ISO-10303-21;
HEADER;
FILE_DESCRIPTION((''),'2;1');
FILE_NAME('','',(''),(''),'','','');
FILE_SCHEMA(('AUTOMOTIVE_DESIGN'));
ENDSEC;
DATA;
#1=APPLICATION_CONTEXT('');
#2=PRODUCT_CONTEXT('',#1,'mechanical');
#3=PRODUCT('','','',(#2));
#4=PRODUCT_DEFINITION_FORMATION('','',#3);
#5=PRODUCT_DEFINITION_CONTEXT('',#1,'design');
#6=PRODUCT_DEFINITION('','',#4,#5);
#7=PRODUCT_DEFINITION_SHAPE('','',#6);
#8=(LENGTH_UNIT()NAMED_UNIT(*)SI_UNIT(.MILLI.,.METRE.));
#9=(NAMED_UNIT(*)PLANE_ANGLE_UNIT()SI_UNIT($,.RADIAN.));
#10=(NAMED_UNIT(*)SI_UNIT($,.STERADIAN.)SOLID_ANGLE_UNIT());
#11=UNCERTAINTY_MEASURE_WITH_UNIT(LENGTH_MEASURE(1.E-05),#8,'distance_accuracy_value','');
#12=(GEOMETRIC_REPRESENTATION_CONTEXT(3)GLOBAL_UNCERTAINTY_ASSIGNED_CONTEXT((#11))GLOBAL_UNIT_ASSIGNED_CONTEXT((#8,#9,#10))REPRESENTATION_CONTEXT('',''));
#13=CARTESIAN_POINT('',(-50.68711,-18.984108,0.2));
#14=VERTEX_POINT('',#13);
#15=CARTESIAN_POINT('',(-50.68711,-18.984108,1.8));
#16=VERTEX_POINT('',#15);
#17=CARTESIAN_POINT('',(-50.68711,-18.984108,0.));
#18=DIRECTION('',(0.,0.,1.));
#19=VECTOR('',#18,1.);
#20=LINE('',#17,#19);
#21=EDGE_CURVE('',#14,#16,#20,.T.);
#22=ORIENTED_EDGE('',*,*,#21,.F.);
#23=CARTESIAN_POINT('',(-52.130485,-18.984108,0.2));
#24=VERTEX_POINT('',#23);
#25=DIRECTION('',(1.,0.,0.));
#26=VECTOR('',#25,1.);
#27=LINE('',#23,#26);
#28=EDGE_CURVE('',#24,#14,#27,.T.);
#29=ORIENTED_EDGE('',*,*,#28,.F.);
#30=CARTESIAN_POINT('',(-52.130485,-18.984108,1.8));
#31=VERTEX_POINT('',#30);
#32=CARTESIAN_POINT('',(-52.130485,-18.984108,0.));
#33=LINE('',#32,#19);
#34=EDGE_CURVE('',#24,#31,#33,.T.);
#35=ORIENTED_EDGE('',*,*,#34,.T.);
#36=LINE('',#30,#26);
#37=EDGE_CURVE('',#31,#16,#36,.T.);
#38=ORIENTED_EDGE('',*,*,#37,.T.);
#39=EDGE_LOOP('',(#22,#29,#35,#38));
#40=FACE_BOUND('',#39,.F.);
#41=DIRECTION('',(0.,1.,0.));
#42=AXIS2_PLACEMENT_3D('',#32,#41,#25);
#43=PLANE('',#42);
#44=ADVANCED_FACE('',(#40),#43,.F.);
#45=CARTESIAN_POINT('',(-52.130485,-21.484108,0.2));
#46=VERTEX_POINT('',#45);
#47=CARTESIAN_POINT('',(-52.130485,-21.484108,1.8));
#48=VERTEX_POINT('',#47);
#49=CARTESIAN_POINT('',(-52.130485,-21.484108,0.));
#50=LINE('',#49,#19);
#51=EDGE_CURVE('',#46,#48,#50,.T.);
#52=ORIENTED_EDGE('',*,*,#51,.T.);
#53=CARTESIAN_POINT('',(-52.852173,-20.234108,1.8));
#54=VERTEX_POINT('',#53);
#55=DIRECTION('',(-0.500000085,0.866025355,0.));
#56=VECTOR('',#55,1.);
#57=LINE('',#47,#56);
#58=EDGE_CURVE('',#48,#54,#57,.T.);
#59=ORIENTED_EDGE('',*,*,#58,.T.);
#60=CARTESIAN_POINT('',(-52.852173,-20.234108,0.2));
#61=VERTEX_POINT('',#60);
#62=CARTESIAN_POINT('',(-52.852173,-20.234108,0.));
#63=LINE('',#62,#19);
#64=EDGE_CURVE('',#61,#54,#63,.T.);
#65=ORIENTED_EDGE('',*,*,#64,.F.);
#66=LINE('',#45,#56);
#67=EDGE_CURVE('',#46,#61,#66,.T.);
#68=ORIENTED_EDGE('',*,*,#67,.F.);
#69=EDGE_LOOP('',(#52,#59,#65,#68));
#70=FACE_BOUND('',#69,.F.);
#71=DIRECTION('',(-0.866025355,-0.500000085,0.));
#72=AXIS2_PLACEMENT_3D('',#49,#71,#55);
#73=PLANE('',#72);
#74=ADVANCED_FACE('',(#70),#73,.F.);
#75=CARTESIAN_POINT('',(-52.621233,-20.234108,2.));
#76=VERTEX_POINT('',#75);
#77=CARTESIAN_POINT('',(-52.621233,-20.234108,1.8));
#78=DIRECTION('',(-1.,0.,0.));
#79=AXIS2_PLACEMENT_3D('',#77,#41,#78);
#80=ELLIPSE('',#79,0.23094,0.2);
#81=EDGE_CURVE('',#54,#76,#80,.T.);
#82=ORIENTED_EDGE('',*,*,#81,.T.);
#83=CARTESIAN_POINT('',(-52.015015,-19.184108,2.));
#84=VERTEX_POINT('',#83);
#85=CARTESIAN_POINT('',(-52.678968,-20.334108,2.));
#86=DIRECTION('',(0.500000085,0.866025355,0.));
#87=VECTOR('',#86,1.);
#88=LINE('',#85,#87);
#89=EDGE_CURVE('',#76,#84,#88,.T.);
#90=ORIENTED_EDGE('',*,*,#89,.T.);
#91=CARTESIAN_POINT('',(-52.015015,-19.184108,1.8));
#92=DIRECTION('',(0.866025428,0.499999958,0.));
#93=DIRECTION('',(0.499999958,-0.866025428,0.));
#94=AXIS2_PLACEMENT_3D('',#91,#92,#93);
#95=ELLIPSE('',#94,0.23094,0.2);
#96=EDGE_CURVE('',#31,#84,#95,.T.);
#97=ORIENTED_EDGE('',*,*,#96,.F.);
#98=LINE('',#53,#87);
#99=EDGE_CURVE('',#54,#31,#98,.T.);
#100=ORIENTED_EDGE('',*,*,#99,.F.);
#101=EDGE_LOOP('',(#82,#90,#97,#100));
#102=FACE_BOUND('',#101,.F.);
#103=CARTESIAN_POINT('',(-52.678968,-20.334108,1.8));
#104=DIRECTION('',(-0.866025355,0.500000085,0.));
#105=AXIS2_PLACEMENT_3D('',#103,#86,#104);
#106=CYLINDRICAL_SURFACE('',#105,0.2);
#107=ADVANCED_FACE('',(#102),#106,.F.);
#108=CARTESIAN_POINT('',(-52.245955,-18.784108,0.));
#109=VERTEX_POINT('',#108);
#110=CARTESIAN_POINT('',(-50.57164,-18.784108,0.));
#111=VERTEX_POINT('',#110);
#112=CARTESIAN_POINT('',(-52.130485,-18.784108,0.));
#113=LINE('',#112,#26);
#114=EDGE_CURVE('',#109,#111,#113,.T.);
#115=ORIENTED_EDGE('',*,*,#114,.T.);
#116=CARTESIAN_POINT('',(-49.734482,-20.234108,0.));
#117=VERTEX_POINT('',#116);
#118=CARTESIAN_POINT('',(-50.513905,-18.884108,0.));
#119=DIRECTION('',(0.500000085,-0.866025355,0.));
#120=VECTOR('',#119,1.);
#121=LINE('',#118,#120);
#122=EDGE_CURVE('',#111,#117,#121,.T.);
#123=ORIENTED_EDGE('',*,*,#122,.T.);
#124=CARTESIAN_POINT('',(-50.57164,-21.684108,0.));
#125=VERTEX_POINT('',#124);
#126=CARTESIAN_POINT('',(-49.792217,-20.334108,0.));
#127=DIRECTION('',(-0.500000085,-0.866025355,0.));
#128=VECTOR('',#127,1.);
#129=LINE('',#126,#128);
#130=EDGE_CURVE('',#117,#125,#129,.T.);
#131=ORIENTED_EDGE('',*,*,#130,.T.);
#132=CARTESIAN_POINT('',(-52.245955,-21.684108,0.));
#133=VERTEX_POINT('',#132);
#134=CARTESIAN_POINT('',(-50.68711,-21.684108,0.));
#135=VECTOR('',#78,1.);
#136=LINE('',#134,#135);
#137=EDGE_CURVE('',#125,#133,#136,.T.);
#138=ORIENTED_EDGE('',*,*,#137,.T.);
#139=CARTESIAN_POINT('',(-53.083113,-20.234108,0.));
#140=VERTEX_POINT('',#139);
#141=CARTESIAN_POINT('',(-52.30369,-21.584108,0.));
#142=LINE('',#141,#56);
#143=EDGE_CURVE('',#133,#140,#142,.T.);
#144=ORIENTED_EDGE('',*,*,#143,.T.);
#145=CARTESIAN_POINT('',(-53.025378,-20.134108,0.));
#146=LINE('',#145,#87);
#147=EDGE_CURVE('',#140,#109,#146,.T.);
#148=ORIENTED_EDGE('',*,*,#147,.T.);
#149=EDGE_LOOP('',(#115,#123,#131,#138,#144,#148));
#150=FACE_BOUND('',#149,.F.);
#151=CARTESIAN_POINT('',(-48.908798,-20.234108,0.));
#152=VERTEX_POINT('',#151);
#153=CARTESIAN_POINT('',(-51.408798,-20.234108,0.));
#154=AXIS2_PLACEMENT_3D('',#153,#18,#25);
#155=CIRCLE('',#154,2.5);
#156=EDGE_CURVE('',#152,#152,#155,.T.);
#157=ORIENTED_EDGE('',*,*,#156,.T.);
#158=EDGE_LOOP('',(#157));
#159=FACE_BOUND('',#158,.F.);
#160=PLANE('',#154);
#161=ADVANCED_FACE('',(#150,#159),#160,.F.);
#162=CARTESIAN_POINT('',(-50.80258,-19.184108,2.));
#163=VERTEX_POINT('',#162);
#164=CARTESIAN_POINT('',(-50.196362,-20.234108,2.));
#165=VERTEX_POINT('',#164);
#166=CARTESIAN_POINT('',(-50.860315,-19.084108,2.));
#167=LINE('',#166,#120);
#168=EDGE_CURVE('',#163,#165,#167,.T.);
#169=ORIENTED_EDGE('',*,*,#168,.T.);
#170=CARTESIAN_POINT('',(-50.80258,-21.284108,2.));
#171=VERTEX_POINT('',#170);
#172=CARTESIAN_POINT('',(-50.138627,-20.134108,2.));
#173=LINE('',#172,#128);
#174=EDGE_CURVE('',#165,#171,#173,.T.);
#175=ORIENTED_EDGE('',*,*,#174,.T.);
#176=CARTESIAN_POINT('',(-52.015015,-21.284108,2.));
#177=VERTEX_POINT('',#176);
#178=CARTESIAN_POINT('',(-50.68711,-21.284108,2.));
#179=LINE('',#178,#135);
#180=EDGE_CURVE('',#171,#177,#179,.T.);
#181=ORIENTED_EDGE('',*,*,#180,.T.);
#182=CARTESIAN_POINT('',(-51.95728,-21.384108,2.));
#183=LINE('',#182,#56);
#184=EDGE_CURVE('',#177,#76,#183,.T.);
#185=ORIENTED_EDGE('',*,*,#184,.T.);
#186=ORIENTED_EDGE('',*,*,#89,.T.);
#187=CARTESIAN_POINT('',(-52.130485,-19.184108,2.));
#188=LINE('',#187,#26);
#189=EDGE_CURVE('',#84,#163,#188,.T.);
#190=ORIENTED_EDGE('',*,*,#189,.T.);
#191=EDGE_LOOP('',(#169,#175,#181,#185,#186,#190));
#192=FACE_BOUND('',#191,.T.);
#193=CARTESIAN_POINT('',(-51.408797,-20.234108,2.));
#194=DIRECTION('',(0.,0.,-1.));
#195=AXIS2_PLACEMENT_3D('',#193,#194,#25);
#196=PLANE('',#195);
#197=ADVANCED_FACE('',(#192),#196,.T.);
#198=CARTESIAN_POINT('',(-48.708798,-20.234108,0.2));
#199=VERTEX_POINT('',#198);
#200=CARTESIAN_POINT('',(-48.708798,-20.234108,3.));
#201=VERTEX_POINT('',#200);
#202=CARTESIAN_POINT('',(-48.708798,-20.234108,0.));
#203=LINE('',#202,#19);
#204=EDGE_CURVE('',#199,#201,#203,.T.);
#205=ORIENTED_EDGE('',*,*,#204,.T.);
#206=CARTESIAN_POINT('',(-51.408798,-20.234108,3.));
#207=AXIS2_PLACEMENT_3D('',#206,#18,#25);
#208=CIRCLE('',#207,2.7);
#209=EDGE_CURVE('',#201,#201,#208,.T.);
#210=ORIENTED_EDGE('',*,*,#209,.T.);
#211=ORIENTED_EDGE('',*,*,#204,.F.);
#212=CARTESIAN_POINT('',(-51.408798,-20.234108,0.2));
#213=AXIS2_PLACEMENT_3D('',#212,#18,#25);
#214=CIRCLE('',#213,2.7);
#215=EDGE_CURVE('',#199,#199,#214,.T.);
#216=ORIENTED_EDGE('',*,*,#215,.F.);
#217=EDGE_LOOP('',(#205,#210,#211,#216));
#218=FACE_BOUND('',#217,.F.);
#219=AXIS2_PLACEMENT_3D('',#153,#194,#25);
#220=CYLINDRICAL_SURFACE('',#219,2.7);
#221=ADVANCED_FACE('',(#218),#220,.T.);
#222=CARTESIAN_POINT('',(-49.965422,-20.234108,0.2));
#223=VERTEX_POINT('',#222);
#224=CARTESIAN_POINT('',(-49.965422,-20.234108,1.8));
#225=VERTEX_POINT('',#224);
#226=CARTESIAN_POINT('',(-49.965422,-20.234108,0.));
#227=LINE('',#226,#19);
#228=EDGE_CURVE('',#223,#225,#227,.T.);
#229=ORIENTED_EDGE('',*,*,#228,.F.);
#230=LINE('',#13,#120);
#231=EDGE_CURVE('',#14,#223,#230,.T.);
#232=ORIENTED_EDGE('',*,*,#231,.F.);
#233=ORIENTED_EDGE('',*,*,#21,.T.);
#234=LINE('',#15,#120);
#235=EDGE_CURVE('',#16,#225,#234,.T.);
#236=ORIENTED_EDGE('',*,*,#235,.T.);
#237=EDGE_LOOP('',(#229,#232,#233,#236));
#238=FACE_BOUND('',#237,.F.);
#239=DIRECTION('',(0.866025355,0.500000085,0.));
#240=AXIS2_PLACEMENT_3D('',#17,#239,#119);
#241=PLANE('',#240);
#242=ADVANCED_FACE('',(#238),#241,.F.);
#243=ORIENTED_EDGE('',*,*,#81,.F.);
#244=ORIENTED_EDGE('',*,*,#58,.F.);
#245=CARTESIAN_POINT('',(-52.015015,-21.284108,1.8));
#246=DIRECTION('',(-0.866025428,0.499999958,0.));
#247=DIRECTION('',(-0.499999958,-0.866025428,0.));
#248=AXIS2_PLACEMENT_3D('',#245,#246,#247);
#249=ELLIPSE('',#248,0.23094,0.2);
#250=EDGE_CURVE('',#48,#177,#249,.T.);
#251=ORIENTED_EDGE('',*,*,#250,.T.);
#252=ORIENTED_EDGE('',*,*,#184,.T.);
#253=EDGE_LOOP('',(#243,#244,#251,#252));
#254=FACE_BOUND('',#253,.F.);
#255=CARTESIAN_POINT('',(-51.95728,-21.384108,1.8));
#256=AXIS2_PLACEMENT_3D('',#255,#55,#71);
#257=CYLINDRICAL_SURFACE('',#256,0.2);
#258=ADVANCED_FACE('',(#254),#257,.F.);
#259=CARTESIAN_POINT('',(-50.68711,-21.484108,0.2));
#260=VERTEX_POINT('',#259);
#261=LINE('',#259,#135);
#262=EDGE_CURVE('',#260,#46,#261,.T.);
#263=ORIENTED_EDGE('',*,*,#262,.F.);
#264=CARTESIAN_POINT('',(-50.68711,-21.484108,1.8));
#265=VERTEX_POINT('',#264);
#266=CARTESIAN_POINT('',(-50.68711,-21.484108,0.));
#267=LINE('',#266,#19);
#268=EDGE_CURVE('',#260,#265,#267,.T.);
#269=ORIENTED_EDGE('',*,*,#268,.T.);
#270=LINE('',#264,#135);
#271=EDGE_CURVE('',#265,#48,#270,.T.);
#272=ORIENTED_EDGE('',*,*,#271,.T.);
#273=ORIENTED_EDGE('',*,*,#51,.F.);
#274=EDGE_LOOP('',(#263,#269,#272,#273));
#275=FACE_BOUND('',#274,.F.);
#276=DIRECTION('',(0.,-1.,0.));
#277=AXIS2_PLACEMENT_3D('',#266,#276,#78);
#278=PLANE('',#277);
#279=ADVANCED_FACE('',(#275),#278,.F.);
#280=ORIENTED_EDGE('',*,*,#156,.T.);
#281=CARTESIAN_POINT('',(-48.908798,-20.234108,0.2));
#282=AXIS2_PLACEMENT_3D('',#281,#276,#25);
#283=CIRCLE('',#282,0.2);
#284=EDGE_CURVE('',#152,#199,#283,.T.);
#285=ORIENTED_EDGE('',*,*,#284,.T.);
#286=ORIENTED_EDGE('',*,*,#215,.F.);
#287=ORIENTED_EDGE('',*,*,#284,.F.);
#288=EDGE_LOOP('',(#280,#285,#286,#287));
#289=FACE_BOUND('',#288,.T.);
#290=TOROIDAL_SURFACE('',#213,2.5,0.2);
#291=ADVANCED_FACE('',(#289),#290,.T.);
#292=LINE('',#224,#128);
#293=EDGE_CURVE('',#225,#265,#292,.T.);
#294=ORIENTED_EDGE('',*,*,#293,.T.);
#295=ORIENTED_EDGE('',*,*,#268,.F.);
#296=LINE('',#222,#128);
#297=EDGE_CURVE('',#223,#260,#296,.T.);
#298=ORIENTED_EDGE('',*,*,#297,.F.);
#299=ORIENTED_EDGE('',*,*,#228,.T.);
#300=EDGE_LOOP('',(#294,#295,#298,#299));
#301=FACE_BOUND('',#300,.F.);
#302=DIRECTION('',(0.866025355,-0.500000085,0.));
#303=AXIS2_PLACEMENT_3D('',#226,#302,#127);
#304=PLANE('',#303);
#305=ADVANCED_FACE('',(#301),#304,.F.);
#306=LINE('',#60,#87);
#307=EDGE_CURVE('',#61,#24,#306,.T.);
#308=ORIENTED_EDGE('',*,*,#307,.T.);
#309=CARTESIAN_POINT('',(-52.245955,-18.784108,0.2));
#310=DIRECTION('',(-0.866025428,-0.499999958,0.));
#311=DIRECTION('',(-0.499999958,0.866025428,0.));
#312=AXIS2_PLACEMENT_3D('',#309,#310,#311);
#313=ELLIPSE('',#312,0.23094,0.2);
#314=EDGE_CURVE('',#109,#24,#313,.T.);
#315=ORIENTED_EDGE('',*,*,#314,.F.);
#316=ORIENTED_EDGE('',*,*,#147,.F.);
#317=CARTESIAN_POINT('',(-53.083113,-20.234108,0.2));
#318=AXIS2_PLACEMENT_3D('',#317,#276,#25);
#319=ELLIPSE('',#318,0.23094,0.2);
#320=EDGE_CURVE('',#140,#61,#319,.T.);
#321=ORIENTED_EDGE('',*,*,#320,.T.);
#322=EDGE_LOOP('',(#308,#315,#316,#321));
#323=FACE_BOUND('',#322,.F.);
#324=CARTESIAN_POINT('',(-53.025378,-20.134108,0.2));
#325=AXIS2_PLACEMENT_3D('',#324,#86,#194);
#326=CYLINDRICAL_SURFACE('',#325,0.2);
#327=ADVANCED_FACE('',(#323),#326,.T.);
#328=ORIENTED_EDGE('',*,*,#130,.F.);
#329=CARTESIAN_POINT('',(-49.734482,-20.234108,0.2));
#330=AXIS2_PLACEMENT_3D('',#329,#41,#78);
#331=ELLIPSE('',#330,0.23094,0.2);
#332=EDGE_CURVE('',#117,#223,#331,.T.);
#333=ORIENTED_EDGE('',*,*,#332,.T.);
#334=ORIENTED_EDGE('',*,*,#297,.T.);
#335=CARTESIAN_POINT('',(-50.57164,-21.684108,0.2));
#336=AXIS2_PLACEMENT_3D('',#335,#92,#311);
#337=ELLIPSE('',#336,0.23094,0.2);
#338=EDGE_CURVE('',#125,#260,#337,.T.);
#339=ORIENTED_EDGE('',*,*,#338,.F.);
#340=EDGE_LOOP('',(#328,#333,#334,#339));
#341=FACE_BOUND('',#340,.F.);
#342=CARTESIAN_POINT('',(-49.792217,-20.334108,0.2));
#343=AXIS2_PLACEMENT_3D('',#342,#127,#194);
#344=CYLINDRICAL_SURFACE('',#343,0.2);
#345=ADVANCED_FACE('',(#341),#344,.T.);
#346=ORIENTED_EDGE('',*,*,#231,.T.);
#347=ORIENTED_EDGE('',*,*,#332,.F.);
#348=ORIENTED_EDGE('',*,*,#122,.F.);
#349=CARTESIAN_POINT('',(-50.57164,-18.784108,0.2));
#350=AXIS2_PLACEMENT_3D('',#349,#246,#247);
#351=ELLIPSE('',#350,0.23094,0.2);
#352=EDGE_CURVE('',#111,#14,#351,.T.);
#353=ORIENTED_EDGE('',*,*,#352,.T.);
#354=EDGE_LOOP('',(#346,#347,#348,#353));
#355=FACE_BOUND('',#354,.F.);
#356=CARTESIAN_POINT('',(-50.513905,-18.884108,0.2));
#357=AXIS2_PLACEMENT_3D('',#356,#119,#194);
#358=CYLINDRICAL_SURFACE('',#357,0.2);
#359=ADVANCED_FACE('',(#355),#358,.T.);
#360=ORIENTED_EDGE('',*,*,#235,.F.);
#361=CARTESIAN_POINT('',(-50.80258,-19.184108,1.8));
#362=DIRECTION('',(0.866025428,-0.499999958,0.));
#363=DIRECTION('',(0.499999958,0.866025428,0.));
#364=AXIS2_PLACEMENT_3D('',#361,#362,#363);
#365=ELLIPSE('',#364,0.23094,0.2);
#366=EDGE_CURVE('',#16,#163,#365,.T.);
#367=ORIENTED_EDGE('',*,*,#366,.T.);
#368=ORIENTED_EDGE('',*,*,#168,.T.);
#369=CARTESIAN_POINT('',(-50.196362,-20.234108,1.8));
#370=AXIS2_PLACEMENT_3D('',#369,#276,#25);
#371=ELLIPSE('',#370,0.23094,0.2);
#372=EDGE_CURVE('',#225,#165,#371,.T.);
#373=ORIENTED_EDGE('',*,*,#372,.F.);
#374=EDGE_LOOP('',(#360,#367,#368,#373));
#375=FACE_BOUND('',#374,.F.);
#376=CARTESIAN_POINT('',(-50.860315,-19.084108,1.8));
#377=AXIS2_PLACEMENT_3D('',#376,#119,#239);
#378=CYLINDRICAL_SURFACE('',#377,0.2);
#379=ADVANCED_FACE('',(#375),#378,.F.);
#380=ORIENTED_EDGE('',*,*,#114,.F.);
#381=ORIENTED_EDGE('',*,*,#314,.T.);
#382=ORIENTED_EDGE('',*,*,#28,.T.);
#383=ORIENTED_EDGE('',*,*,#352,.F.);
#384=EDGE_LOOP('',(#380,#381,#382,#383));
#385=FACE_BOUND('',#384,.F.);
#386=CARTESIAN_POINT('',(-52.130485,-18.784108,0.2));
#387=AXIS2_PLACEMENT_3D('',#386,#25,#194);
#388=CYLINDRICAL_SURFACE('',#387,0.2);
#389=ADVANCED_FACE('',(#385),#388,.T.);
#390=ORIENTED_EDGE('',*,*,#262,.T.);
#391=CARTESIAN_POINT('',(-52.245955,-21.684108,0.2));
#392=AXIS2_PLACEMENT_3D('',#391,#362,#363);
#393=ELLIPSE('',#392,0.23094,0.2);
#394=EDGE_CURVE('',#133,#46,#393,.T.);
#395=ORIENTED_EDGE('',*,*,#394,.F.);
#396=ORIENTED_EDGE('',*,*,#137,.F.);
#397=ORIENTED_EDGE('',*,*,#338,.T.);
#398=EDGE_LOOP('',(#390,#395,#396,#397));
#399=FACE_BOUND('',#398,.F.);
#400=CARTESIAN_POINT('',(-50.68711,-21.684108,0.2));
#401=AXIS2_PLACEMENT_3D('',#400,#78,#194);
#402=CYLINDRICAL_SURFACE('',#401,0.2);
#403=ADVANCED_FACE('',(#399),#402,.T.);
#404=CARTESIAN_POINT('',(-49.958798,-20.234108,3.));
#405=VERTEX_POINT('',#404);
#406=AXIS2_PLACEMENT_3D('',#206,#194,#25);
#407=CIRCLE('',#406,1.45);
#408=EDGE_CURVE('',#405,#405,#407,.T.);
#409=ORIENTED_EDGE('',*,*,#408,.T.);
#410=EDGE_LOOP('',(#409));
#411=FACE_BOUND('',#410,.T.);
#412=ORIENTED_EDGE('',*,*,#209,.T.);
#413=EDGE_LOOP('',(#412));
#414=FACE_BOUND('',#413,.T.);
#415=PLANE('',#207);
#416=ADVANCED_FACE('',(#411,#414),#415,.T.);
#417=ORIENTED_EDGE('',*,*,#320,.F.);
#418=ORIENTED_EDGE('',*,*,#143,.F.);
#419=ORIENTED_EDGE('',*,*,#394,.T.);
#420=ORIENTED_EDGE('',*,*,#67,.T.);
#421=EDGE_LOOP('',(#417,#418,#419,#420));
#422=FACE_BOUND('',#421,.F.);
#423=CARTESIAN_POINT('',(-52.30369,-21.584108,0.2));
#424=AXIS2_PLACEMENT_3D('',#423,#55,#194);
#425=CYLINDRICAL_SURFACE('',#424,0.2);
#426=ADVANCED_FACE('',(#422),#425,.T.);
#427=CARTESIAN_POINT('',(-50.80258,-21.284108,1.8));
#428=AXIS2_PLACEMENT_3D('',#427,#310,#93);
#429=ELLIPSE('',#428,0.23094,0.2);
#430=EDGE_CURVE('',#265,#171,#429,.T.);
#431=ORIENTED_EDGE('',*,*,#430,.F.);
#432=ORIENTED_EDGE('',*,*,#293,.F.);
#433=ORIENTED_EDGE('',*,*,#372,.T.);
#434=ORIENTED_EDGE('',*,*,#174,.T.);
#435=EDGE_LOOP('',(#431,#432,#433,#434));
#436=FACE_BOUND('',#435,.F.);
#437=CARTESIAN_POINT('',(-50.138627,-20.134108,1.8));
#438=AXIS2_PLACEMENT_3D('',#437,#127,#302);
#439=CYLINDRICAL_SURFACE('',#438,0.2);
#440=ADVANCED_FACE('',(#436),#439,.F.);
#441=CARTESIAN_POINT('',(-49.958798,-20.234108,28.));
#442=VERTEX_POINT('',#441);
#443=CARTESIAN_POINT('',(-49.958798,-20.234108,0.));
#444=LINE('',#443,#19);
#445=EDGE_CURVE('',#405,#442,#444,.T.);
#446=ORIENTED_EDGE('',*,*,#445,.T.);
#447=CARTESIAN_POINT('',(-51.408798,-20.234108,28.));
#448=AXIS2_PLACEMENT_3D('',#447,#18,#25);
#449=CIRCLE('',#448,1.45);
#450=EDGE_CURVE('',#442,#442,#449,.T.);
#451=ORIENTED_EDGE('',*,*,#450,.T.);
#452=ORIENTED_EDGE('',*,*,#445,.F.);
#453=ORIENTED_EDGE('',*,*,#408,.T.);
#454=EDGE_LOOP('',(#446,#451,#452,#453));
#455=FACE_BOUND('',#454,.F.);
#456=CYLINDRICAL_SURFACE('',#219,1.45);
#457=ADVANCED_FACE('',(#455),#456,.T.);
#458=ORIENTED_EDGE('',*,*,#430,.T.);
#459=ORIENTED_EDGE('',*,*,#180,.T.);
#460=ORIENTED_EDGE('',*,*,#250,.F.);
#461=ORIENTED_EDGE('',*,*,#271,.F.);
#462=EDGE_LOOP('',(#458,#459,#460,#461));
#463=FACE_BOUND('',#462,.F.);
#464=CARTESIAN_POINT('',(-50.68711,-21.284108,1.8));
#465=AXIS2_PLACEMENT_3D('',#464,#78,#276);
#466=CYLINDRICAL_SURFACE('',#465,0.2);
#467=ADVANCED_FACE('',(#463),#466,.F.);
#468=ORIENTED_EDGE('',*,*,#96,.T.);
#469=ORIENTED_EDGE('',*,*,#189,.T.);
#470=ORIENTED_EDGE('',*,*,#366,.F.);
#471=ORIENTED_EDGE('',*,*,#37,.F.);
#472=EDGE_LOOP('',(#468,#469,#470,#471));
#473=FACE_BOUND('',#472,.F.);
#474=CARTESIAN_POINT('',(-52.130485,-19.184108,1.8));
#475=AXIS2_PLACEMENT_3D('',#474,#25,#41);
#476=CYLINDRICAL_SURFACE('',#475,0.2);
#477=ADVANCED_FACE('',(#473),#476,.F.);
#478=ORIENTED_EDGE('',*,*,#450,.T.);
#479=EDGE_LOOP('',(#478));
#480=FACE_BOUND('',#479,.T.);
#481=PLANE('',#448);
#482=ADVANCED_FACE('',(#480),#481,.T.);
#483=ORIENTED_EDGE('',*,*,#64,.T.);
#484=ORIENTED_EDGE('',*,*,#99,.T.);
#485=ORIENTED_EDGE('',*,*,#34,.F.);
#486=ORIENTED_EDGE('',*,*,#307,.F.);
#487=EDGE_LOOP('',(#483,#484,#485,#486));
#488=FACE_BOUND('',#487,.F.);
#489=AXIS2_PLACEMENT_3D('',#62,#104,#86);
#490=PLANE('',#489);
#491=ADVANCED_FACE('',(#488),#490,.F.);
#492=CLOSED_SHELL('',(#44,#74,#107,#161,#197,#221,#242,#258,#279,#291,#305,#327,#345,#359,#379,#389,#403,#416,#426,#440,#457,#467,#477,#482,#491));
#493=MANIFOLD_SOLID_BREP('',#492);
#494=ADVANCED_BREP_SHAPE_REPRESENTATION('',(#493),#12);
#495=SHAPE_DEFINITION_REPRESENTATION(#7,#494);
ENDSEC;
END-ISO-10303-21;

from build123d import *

# Parameters (mm, degrees)
F0_R     = 2.7
F0_R_2   = 1.45
F1_DEPTH = 3
F2_DEPTH = 28
F4_DEPTH = 2
F5_R     = 0.2


with BuildPart() as f1:
    # F0 (on Top) → F1 (new body)
    with BuildSketch(Plane.XY):
        with Locations((-51.408798, -20.234108)):
            Circle(F0_R)
        with Locations((-51.408798, -20.234108)):
            Circle(F0_R_2, mode=Mode.SUBTRACT)
        with Locations((-51.408798, -20.234108)):
            Circle(F0_R_2)
    extrude(amount=F1_DEPTH)

    # F0 (on Top) → F2 (join)
    with BuildSketch(Plane.XY):
        with Locations((-51.408798, -20.234108)):
            Circle(F0_R_2)
    extrude(amount=F2_DEPTH)

    # F3 (on face) → F4 (cut)
    with BuildSketch(Plane(origin=(0, 0, 0), x_dir=(1, 0, 0), z_dir=(0, 0, -1))):
        Polygon((-52.130485, 18.984108), (-50.68711, 18.984108), (-49.965422, 20.234108), (-50.68711, 21.484108), (-52.130485, 21.484108), (-52.852173, 20.234108), align=None)
    extrude(amount=-F4_DEPTH, mode=Mode.SUBTRACT)

    # F5
    f5_edges = [f1.edges().sort_by_distance(p)[0] for p in [
        (-54.108798, -20.234108, 0),
        (-51.408798, -18.984108, 2),
        (-50.326266, -19.609108, 2),
        (-50.326266, -20.859108, 2),
        (-51.408798, -21.484108, 2),
        (-52.491329, -20.859108, 2),
        (-52.491329, -19.609108, 2),
        (-52.491329, -19.609108, 0),
        (-52.491329, -20.859108, 0),
        (-51.408798, -21.484108, 0),
        (-50.326266, -20.859108, 0),
        (-50.326266, -19.609108, 0),
        (-51.408798, -18.984108, 0),
    ]]
    fillet(f5_edges, radius=F5_R)


solid = f1.part
